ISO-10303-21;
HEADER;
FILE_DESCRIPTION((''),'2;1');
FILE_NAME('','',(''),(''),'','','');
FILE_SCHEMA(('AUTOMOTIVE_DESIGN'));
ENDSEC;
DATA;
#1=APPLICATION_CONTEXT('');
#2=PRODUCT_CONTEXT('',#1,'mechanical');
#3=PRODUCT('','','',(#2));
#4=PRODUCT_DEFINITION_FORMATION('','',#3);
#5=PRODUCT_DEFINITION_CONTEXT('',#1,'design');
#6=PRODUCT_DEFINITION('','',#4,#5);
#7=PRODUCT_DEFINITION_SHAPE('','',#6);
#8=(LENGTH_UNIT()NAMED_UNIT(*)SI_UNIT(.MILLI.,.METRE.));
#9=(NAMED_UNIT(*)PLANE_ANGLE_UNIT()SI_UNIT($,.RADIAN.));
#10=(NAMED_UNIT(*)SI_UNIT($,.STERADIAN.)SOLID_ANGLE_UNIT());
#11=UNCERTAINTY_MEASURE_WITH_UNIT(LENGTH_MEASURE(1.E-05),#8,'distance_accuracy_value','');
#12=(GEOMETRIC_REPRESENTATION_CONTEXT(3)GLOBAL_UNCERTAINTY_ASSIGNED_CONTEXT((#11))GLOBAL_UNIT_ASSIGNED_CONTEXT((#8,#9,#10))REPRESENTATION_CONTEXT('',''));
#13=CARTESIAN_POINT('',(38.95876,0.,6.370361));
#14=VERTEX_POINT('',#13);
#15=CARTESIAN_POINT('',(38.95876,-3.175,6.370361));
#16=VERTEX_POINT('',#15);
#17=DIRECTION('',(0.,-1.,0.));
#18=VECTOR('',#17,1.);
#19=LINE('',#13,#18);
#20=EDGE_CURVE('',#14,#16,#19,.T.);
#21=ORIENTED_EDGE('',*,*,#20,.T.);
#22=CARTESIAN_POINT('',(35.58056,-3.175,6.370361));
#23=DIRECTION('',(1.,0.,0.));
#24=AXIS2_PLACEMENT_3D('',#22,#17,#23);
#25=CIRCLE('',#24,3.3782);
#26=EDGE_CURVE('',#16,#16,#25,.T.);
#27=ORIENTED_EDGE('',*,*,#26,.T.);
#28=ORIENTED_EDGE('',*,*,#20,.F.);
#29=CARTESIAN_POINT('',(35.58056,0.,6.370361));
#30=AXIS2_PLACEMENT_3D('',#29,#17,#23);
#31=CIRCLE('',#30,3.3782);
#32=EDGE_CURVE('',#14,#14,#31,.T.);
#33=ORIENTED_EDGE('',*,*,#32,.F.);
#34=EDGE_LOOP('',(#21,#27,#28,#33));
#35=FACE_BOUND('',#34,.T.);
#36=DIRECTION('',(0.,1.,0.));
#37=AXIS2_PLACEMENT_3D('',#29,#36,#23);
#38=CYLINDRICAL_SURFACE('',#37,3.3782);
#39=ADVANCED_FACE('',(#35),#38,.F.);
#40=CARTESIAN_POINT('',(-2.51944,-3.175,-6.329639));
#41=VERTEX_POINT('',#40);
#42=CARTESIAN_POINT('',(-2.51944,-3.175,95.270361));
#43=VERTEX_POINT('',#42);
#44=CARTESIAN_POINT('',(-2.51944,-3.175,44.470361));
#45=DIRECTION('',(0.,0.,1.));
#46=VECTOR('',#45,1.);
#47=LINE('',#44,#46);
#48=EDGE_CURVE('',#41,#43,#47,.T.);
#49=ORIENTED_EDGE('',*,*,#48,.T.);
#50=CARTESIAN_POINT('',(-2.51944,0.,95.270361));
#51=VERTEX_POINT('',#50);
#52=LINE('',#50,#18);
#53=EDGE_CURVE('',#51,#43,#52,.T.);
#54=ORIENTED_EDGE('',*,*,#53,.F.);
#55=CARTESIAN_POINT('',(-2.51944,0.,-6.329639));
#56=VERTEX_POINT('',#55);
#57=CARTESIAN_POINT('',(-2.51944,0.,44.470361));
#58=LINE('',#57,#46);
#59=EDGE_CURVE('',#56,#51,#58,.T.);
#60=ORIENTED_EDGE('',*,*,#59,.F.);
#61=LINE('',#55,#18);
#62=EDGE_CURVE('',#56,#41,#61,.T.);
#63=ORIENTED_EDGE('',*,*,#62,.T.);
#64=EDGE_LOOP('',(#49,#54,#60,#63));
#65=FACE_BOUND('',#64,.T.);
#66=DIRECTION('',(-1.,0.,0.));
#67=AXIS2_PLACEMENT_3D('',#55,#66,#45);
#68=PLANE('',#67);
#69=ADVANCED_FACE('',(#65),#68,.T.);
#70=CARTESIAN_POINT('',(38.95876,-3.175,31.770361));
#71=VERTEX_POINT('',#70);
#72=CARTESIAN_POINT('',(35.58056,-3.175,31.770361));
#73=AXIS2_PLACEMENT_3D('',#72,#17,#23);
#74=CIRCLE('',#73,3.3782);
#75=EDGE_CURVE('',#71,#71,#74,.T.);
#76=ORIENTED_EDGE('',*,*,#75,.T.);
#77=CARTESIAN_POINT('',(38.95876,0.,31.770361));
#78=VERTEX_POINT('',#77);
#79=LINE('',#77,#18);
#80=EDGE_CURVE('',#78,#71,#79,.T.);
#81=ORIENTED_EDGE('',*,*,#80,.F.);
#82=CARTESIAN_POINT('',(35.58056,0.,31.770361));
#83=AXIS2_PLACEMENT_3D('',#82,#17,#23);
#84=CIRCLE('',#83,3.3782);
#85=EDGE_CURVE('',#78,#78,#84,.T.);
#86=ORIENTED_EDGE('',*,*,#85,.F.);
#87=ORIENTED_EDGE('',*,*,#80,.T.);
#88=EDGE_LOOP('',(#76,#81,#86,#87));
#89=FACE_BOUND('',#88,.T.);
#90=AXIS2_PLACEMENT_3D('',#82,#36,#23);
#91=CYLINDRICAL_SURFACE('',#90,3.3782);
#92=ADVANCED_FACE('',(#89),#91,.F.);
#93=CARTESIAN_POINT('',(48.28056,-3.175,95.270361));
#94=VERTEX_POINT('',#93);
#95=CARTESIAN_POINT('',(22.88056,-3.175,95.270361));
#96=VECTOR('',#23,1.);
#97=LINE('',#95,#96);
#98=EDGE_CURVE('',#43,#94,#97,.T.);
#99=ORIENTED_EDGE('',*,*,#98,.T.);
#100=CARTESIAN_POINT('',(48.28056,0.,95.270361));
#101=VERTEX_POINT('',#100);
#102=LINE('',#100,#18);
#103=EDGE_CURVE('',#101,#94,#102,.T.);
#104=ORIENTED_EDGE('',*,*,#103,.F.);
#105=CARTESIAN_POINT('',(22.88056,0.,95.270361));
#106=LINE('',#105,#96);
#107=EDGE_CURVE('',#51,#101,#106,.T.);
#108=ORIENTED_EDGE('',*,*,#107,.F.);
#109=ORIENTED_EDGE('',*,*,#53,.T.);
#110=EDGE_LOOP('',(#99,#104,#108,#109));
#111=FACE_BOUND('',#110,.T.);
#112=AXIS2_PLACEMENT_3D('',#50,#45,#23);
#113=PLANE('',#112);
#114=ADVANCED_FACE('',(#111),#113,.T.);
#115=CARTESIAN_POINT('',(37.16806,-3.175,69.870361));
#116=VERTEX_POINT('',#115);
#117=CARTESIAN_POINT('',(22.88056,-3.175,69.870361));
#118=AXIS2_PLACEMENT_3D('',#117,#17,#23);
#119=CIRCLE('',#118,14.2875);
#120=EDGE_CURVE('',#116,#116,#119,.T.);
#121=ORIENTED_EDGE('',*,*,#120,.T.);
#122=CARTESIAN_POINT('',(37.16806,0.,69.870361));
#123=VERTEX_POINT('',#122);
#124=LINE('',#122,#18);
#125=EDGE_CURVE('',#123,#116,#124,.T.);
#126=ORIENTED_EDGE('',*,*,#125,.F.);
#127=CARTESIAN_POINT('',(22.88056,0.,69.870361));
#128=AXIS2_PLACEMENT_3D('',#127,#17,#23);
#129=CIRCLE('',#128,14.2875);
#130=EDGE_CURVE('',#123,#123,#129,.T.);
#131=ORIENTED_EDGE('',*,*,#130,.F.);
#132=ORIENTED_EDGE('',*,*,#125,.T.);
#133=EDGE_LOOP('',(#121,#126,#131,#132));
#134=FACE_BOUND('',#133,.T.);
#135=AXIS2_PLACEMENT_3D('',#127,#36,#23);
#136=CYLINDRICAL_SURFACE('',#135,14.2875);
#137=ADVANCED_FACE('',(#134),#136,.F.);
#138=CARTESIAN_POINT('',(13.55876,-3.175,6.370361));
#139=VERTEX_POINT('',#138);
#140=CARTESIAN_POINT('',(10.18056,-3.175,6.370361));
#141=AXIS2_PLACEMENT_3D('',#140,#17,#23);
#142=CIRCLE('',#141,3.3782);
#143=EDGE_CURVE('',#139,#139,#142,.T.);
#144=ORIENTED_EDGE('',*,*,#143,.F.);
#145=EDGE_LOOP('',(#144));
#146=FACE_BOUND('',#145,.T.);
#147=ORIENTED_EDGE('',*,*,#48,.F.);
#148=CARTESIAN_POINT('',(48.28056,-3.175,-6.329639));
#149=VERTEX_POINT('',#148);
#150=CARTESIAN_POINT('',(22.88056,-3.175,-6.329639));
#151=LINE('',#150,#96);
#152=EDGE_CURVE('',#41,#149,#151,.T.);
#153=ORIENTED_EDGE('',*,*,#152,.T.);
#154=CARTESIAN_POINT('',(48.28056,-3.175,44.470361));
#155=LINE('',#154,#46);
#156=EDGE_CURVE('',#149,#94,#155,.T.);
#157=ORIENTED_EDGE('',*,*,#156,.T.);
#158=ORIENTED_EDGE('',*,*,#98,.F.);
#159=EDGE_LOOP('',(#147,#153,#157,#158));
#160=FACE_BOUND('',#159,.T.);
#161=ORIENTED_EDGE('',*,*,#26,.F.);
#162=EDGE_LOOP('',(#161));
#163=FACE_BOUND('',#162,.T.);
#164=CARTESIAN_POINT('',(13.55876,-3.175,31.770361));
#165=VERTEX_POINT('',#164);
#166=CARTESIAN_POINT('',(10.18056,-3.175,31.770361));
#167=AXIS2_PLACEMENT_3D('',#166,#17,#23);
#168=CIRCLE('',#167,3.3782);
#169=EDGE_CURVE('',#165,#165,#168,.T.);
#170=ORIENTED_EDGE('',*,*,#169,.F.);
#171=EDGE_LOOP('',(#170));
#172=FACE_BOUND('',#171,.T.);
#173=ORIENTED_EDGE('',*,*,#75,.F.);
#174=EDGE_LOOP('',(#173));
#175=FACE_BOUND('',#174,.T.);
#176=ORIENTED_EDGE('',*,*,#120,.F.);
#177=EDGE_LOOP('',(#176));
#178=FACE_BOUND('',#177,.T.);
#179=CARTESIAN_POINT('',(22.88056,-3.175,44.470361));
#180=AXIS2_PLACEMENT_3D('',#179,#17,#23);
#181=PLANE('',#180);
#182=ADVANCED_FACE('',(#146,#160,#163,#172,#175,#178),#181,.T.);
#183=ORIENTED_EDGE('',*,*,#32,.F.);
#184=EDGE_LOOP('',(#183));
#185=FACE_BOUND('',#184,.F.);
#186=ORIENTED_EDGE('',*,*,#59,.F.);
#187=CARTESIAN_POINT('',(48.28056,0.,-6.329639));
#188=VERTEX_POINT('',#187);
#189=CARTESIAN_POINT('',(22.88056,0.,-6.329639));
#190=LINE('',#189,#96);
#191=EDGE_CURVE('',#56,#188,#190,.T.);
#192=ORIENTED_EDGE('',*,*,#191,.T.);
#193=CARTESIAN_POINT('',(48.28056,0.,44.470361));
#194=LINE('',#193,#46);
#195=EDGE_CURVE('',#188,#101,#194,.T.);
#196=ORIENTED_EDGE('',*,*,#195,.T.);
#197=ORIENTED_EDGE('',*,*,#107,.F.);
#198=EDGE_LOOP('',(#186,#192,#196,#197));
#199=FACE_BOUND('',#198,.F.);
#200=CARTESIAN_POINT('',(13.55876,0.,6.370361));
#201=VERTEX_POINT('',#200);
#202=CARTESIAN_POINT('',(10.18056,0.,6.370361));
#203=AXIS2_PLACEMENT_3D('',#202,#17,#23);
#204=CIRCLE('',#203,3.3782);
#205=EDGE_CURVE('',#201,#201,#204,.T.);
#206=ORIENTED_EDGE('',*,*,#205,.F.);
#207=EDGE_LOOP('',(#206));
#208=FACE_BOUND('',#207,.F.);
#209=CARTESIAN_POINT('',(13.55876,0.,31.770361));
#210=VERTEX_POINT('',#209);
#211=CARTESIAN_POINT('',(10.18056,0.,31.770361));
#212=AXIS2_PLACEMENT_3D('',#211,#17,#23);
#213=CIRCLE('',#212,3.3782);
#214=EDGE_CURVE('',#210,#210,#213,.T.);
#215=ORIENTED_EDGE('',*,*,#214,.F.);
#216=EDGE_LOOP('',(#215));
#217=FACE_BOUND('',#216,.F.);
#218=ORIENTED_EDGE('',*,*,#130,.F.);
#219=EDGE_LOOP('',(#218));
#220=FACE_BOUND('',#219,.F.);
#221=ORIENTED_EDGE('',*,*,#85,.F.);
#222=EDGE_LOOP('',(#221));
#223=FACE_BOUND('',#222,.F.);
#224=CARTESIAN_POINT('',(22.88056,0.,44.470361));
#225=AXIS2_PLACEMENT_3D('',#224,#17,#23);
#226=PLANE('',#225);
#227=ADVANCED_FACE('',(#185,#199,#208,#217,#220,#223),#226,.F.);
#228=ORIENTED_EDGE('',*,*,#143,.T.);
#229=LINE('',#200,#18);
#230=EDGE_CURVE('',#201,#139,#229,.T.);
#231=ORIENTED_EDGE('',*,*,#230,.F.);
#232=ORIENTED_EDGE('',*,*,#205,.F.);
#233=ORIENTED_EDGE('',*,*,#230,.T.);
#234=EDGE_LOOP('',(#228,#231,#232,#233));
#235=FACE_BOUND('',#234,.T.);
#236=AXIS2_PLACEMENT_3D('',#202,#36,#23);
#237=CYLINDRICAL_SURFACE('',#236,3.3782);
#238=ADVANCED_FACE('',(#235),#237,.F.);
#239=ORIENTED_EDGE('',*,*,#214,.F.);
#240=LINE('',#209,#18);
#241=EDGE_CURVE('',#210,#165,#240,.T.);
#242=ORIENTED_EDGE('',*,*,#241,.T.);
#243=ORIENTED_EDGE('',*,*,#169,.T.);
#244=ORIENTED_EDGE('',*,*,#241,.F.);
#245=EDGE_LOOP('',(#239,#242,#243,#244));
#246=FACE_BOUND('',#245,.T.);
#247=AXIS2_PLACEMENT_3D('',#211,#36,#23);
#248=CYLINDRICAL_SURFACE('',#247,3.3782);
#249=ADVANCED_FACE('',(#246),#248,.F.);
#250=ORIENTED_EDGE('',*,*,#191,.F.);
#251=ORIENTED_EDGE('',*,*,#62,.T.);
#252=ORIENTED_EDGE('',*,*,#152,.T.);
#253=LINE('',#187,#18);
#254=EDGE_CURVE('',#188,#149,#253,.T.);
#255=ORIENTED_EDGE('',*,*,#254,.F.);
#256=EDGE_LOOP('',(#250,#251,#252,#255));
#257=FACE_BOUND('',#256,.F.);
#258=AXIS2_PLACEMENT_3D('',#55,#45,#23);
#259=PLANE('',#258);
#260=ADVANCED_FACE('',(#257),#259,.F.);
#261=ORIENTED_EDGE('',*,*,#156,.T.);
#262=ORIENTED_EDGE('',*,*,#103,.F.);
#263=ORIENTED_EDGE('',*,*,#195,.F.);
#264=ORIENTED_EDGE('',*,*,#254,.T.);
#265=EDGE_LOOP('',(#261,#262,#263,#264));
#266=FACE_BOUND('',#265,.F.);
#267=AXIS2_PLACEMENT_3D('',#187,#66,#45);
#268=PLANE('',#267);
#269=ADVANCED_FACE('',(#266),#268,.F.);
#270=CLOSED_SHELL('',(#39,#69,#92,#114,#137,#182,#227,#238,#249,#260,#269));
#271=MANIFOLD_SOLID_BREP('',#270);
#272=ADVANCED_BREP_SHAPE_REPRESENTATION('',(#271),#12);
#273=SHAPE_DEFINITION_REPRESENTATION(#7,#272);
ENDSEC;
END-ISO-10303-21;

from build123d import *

# Parameters (mm, degrees)
F0_W     = 50.8
F0_H     = 101.6
F0_R     = 3.3782
F0_R_2   = 14.2875
F1_DEPTH = 3.175


with BuildPart() as f1:
    # F0 (on Front) → F1 (new body)
    with BuildSketch(Plane.XZ):
        with Locations((22.88056, 44.470361)):
            Rectangle(F0_W, F0_H)
        with Locations((10.18056, 6.370361)):
            Circle(F0_R, mode=Mode.SUBTRACT)
        with Locations((10.18056, 31.770361)):
            Circle(F0_R, mode=Mode.SUBTRACT)
        with Locations((35.58056, 6.370361)):
            Circle(F0_R, mode=Mode.SUBTRACT)
        with Locations((35.58056, 31.770361)):
            Circle(F0_R, mode=Mode.SUBTRACT)
        with Locations((22.88056, 69.870361)):
            Circle(F0_R_2, mode=Mode.SUBTRACT)
    extrude(amount=F1_DEPTH)


solid = f1.part
